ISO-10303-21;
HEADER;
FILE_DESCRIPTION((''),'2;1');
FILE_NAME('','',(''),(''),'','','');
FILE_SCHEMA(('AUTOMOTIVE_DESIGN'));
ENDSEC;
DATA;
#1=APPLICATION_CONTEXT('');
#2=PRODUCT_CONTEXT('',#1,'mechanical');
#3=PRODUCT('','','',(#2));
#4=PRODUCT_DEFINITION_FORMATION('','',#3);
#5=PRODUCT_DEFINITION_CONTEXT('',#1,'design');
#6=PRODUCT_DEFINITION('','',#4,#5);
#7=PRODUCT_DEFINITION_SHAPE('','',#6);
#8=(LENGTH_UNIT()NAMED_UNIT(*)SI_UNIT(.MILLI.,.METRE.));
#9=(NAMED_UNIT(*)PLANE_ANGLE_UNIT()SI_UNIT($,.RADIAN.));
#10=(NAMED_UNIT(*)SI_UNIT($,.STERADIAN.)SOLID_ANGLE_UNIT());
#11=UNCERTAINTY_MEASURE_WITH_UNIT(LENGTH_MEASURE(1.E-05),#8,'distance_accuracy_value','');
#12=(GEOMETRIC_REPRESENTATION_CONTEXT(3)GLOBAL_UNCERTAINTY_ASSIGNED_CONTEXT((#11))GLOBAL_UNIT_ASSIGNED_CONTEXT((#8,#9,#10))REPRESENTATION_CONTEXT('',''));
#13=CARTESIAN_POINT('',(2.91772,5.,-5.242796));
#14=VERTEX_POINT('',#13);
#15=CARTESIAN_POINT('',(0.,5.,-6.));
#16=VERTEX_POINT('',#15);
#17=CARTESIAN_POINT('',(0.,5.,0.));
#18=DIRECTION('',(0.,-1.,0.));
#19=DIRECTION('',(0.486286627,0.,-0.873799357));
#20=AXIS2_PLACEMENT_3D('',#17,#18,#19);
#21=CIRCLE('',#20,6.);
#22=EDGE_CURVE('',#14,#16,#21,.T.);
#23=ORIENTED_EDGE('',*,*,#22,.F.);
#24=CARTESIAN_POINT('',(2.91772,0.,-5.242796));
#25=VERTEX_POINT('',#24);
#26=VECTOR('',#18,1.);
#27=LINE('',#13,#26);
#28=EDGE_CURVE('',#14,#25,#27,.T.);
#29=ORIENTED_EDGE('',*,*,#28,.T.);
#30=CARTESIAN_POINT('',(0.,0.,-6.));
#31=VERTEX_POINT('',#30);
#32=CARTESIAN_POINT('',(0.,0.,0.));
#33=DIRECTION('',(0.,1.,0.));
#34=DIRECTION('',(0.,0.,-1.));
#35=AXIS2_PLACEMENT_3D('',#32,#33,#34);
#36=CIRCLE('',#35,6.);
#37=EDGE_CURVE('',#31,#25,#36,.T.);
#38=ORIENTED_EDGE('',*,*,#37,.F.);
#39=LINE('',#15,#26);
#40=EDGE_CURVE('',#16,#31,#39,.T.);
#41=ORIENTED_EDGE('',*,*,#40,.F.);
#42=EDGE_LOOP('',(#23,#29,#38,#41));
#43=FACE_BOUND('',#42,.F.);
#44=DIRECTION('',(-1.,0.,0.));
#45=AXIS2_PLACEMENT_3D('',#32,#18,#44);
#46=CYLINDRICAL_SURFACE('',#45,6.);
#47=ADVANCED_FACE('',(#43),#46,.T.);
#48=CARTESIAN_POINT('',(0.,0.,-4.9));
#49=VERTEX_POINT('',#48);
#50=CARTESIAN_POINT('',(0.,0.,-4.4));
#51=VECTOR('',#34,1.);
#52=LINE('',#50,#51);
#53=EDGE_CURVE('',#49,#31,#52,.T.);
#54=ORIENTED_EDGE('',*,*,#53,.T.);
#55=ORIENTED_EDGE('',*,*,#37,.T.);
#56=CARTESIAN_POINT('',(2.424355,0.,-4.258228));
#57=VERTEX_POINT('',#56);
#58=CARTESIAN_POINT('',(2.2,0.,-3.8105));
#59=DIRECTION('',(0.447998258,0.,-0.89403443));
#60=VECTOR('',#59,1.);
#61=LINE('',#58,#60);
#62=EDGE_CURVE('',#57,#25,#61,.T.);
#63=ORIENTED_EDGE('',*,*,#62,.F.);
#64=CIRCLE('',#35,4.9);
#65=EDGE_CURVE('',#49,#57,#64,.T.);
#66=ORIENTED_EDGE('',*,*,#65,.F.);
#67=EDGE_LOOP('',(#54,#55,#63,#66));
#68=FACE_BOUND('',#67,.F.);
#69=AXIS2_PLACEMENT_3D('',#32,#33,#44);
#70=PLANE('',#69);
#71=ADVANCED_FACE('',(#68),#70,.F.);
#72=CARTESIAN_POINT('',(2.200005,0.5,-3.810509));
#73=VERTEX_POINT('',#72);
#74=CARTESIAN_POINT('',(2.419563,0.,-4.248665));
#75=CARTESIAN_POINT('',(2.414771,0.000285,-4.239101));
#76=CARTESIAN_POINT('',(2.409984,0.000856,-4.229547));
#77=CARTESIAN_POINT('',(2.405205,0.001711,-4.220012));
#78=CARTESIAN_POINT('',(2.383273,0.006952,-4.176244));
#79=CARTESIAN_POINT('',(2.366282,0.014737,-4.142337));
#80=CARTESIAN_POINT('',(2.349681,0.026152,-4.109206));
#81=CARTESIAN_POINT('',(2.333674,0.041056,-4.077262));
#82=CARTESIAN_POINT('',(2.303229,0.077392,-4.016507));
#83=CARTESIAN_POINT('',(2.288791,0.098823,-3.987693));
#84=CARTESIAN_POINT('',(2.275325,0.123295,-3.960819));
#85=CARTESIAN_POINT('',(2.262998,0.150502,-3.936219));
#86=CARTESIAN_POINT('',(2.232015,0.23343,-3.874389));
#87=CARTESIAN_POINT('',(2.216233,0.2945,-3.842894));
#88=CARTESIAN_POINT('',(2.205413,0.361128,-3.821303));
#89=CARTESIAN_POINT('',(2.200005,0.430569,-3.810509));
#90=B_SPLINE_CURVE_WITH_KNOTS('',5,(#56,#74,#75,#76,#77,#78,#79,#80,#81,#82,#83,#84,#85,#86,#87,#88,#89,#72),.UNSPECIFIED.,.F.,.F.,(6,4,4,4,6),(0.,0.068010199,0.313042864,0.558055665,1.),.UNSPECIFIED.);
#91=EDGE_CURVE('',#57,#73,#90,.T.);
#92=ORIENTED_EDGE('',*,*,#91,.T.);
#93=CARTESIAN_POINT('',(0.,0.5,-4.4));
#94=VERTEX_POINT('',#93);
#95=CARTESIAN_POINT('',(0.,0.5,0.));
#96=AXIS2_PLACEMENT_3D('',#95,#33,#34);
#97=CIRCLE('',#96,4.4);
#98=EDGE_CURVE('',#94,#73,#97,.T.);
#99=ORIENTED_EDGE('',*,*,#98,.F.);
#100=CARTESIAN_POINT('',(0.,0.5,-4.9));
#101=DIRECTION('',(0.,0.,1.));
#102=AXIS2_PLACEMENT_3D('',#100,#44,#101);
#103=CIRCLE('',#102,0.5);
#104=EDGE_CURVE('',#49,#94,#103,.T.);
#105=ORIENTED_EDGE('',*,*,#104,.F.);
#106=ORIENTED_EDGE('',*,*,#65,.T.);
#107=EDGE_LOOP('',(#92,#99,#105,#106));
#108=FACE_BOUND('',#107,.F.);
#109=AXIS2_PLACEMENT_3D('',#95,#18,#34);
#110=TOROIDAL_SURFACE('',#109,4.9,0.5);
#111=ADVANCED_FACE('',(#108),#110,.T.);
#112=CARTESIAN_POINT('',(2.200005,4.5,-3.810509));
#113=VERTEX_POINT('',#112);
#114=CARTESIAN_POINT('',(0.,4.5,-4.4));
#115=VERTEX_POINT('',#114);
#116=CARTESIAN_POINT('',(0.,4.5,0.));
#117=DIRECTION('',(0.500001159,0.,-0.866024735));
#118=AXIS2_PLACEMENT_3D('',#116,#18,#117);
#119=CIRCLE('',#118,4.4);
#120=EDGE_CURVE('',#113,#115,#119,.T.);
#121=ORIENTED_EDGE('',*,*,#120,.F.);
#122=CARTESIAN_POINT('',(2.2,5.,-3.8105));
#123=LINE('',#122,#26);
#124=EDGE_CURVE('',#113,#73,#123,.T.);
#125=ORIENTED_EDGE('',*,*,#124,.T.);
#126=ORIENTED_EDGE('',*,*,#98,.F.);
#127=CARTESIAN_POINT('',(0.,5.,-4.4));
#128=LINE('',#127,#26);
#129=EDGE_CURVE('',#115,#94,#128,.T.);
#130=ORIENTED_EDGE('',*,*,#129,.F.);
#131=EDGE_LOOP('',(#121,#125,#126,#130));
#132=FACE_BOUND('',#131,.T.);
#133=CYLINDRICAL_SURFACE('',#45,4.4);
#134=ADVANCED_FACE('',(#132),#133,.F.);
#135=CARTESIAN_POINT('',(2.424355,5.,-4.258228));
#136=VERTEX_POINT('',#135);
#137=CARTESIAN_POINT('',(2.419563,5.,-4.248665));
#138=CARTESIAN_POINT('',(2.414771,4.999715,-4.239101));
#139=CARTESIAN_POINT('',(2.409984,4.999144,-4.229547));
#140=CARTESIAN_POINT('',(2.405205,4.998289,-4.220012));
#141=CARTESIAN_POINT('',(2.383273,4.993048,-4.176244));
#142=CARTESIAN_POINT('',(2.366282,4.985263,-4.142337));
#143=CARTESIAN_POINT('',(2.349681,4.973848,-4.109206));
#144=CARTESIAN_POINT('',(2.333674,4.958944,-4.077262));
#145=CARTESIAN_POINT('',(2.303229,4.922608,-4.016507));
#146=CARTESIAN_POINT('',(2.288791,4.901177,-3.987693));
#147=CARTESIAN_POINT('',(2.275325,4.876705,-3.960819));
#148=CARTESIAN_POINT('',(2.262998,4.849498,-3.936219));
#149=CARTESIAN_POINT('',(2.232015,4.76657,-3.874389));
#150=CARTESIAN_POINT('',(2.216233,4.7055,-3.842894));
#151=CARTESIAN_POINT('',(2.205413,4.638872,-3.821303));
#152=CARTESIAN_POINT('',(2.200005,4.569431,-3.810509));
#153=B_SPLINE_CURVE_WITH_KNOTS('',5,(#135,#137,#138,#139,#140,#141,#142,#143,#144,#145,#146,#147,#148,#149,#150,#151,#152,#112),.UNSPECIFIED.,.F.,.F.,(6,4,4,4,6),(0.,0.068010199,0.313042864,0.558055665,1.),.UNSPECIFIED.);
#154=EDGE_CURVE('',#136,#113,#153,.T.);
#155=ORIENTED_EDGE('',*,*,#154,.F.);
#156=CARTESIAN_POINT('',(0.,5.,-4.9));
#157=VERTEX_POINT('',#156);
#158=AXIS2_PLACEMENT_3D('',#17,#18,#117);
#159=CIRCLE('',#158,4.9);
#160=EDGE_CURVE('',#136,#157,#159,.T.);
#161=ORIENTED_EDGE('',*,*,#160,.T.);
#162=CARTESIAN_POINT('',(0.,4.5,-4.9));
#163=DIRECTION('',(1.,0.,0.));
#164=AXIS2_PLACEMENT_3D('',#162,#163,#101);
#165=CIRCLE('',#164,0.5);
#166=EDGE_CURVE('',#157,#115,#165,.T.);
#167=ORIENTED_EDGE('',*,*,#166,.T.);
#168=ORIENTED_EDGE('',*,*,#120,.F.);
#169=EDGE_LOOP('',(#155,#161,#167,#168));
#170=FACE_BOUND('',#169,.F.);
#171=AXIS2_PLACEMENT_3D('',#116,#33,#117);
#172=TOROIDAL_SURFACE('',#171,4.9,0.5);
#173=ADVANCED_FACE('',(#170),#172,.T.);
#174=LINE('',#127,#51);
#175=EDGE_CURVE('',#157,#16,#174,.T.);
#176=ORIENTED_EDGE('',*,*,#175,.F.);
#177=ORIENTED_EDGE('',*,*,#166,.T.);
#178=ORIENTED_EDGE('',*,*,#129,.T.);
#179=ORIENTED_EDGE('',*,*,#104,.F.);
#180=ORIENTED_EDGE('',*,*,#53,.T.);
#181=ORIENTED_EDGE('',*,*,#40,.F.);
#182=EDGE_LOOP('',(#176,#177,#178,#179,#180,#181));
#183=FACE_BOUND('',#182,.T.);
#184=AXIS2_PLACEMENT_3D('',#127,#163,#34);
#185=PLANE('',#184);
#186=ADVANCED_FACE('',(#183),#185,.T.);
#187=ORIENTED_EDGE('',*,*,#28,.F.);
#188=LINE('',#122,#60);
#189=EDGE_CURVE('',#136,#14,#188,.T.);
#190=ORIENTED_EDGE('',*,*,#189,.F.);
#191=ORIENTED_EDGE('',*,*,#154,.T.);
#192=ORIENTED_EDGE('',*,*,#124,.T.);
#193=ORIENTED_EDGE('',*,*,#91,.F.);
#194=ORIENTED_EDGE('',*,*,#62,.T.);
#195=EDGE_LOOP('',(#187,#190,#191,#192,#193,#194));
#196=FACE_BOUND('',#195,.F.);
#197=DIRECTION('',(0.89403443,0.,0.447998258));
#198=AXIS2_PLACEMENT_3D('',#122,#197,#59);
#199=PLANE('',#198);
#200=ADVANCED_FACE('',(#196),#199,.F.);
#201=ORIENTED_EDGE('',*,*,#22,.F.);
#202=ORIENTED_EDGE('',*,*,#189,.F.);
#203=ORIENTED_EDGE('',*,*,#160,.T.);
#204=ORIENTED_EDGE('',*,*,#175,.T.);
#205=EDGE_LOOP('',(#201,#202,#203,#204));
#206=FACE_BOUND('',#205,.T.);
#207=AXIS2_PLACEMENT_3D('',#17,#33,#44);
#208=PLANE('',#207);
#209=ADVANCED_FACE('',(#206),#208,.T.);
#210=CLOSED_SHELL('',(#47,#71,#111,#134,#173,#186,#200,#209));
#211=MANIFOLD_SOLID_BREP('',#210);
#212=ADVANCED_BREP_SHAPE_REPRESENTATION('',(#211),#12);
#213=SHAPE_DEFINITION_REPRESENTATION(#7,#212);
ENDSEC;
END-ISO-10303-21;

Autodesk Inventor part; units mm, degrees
ref_plane "YZ Plane" through (0, 0, 0) normal (1, 0, 0) x (0, 1, 0)
ref_plane "XZ Plane" through (0, 0, 0) normal (0, 1, 0) x (-1, 0, 0)
ref_plane "XY Plane" through (0, 0, 0) normal (0, 0, 1) x (1, 0, 0)
sketch "Эскиз1" plane through (0, 0, 0) normal (0, 1, 0) x (-1, 0, 0)
  circle A0 centre (0, 0) radius 6
  circle A1 centre (0, 0) radius 4.4
  dimension "d6" = 12
  dimension "d7" = 8.8
extrude "Выдавливание1" add sketch "Эскиз1" along normal blind 5
sketch "Эскиз2" plane through (0, 5, 0) normal (0, 1, 0) x (1, 0, 0)
  circle A0 centre (0, 0) radius 4.4 projected
  arc A1 (2.2, 3.8105) -> (0, 4.4) centre (0, 0) ccw
  line L0 (0, 0) -> (2.2, 3.8105) construction
  line L1 (0, 0) -> (0, 4.4) construction
  line L2 (2.2, 3.8105) -> (3.5243, 6.4533)
  line L3 (0, 4.4) -> (0, 6.8034)
  circle A2 centre (0, 0) radius 6 projected
  point P0 (2.9177, 5.2428)
  point P1 (0, 6)
  dimension "d8" = 30
extrude "Выдавливание2" cut sketch "Эскиз2" against normal blind 5 contours A0 L3 A2 L2 picked at (0.3369, 5.4381)
fillet "Сопряжение2" radius 0.5 2 edges at (-1.1388, 0, 4.2501) (-1.1388, 5, 4.2501)
properties part number "fittingRingInstalled" material "Пластик ПАЭК"
